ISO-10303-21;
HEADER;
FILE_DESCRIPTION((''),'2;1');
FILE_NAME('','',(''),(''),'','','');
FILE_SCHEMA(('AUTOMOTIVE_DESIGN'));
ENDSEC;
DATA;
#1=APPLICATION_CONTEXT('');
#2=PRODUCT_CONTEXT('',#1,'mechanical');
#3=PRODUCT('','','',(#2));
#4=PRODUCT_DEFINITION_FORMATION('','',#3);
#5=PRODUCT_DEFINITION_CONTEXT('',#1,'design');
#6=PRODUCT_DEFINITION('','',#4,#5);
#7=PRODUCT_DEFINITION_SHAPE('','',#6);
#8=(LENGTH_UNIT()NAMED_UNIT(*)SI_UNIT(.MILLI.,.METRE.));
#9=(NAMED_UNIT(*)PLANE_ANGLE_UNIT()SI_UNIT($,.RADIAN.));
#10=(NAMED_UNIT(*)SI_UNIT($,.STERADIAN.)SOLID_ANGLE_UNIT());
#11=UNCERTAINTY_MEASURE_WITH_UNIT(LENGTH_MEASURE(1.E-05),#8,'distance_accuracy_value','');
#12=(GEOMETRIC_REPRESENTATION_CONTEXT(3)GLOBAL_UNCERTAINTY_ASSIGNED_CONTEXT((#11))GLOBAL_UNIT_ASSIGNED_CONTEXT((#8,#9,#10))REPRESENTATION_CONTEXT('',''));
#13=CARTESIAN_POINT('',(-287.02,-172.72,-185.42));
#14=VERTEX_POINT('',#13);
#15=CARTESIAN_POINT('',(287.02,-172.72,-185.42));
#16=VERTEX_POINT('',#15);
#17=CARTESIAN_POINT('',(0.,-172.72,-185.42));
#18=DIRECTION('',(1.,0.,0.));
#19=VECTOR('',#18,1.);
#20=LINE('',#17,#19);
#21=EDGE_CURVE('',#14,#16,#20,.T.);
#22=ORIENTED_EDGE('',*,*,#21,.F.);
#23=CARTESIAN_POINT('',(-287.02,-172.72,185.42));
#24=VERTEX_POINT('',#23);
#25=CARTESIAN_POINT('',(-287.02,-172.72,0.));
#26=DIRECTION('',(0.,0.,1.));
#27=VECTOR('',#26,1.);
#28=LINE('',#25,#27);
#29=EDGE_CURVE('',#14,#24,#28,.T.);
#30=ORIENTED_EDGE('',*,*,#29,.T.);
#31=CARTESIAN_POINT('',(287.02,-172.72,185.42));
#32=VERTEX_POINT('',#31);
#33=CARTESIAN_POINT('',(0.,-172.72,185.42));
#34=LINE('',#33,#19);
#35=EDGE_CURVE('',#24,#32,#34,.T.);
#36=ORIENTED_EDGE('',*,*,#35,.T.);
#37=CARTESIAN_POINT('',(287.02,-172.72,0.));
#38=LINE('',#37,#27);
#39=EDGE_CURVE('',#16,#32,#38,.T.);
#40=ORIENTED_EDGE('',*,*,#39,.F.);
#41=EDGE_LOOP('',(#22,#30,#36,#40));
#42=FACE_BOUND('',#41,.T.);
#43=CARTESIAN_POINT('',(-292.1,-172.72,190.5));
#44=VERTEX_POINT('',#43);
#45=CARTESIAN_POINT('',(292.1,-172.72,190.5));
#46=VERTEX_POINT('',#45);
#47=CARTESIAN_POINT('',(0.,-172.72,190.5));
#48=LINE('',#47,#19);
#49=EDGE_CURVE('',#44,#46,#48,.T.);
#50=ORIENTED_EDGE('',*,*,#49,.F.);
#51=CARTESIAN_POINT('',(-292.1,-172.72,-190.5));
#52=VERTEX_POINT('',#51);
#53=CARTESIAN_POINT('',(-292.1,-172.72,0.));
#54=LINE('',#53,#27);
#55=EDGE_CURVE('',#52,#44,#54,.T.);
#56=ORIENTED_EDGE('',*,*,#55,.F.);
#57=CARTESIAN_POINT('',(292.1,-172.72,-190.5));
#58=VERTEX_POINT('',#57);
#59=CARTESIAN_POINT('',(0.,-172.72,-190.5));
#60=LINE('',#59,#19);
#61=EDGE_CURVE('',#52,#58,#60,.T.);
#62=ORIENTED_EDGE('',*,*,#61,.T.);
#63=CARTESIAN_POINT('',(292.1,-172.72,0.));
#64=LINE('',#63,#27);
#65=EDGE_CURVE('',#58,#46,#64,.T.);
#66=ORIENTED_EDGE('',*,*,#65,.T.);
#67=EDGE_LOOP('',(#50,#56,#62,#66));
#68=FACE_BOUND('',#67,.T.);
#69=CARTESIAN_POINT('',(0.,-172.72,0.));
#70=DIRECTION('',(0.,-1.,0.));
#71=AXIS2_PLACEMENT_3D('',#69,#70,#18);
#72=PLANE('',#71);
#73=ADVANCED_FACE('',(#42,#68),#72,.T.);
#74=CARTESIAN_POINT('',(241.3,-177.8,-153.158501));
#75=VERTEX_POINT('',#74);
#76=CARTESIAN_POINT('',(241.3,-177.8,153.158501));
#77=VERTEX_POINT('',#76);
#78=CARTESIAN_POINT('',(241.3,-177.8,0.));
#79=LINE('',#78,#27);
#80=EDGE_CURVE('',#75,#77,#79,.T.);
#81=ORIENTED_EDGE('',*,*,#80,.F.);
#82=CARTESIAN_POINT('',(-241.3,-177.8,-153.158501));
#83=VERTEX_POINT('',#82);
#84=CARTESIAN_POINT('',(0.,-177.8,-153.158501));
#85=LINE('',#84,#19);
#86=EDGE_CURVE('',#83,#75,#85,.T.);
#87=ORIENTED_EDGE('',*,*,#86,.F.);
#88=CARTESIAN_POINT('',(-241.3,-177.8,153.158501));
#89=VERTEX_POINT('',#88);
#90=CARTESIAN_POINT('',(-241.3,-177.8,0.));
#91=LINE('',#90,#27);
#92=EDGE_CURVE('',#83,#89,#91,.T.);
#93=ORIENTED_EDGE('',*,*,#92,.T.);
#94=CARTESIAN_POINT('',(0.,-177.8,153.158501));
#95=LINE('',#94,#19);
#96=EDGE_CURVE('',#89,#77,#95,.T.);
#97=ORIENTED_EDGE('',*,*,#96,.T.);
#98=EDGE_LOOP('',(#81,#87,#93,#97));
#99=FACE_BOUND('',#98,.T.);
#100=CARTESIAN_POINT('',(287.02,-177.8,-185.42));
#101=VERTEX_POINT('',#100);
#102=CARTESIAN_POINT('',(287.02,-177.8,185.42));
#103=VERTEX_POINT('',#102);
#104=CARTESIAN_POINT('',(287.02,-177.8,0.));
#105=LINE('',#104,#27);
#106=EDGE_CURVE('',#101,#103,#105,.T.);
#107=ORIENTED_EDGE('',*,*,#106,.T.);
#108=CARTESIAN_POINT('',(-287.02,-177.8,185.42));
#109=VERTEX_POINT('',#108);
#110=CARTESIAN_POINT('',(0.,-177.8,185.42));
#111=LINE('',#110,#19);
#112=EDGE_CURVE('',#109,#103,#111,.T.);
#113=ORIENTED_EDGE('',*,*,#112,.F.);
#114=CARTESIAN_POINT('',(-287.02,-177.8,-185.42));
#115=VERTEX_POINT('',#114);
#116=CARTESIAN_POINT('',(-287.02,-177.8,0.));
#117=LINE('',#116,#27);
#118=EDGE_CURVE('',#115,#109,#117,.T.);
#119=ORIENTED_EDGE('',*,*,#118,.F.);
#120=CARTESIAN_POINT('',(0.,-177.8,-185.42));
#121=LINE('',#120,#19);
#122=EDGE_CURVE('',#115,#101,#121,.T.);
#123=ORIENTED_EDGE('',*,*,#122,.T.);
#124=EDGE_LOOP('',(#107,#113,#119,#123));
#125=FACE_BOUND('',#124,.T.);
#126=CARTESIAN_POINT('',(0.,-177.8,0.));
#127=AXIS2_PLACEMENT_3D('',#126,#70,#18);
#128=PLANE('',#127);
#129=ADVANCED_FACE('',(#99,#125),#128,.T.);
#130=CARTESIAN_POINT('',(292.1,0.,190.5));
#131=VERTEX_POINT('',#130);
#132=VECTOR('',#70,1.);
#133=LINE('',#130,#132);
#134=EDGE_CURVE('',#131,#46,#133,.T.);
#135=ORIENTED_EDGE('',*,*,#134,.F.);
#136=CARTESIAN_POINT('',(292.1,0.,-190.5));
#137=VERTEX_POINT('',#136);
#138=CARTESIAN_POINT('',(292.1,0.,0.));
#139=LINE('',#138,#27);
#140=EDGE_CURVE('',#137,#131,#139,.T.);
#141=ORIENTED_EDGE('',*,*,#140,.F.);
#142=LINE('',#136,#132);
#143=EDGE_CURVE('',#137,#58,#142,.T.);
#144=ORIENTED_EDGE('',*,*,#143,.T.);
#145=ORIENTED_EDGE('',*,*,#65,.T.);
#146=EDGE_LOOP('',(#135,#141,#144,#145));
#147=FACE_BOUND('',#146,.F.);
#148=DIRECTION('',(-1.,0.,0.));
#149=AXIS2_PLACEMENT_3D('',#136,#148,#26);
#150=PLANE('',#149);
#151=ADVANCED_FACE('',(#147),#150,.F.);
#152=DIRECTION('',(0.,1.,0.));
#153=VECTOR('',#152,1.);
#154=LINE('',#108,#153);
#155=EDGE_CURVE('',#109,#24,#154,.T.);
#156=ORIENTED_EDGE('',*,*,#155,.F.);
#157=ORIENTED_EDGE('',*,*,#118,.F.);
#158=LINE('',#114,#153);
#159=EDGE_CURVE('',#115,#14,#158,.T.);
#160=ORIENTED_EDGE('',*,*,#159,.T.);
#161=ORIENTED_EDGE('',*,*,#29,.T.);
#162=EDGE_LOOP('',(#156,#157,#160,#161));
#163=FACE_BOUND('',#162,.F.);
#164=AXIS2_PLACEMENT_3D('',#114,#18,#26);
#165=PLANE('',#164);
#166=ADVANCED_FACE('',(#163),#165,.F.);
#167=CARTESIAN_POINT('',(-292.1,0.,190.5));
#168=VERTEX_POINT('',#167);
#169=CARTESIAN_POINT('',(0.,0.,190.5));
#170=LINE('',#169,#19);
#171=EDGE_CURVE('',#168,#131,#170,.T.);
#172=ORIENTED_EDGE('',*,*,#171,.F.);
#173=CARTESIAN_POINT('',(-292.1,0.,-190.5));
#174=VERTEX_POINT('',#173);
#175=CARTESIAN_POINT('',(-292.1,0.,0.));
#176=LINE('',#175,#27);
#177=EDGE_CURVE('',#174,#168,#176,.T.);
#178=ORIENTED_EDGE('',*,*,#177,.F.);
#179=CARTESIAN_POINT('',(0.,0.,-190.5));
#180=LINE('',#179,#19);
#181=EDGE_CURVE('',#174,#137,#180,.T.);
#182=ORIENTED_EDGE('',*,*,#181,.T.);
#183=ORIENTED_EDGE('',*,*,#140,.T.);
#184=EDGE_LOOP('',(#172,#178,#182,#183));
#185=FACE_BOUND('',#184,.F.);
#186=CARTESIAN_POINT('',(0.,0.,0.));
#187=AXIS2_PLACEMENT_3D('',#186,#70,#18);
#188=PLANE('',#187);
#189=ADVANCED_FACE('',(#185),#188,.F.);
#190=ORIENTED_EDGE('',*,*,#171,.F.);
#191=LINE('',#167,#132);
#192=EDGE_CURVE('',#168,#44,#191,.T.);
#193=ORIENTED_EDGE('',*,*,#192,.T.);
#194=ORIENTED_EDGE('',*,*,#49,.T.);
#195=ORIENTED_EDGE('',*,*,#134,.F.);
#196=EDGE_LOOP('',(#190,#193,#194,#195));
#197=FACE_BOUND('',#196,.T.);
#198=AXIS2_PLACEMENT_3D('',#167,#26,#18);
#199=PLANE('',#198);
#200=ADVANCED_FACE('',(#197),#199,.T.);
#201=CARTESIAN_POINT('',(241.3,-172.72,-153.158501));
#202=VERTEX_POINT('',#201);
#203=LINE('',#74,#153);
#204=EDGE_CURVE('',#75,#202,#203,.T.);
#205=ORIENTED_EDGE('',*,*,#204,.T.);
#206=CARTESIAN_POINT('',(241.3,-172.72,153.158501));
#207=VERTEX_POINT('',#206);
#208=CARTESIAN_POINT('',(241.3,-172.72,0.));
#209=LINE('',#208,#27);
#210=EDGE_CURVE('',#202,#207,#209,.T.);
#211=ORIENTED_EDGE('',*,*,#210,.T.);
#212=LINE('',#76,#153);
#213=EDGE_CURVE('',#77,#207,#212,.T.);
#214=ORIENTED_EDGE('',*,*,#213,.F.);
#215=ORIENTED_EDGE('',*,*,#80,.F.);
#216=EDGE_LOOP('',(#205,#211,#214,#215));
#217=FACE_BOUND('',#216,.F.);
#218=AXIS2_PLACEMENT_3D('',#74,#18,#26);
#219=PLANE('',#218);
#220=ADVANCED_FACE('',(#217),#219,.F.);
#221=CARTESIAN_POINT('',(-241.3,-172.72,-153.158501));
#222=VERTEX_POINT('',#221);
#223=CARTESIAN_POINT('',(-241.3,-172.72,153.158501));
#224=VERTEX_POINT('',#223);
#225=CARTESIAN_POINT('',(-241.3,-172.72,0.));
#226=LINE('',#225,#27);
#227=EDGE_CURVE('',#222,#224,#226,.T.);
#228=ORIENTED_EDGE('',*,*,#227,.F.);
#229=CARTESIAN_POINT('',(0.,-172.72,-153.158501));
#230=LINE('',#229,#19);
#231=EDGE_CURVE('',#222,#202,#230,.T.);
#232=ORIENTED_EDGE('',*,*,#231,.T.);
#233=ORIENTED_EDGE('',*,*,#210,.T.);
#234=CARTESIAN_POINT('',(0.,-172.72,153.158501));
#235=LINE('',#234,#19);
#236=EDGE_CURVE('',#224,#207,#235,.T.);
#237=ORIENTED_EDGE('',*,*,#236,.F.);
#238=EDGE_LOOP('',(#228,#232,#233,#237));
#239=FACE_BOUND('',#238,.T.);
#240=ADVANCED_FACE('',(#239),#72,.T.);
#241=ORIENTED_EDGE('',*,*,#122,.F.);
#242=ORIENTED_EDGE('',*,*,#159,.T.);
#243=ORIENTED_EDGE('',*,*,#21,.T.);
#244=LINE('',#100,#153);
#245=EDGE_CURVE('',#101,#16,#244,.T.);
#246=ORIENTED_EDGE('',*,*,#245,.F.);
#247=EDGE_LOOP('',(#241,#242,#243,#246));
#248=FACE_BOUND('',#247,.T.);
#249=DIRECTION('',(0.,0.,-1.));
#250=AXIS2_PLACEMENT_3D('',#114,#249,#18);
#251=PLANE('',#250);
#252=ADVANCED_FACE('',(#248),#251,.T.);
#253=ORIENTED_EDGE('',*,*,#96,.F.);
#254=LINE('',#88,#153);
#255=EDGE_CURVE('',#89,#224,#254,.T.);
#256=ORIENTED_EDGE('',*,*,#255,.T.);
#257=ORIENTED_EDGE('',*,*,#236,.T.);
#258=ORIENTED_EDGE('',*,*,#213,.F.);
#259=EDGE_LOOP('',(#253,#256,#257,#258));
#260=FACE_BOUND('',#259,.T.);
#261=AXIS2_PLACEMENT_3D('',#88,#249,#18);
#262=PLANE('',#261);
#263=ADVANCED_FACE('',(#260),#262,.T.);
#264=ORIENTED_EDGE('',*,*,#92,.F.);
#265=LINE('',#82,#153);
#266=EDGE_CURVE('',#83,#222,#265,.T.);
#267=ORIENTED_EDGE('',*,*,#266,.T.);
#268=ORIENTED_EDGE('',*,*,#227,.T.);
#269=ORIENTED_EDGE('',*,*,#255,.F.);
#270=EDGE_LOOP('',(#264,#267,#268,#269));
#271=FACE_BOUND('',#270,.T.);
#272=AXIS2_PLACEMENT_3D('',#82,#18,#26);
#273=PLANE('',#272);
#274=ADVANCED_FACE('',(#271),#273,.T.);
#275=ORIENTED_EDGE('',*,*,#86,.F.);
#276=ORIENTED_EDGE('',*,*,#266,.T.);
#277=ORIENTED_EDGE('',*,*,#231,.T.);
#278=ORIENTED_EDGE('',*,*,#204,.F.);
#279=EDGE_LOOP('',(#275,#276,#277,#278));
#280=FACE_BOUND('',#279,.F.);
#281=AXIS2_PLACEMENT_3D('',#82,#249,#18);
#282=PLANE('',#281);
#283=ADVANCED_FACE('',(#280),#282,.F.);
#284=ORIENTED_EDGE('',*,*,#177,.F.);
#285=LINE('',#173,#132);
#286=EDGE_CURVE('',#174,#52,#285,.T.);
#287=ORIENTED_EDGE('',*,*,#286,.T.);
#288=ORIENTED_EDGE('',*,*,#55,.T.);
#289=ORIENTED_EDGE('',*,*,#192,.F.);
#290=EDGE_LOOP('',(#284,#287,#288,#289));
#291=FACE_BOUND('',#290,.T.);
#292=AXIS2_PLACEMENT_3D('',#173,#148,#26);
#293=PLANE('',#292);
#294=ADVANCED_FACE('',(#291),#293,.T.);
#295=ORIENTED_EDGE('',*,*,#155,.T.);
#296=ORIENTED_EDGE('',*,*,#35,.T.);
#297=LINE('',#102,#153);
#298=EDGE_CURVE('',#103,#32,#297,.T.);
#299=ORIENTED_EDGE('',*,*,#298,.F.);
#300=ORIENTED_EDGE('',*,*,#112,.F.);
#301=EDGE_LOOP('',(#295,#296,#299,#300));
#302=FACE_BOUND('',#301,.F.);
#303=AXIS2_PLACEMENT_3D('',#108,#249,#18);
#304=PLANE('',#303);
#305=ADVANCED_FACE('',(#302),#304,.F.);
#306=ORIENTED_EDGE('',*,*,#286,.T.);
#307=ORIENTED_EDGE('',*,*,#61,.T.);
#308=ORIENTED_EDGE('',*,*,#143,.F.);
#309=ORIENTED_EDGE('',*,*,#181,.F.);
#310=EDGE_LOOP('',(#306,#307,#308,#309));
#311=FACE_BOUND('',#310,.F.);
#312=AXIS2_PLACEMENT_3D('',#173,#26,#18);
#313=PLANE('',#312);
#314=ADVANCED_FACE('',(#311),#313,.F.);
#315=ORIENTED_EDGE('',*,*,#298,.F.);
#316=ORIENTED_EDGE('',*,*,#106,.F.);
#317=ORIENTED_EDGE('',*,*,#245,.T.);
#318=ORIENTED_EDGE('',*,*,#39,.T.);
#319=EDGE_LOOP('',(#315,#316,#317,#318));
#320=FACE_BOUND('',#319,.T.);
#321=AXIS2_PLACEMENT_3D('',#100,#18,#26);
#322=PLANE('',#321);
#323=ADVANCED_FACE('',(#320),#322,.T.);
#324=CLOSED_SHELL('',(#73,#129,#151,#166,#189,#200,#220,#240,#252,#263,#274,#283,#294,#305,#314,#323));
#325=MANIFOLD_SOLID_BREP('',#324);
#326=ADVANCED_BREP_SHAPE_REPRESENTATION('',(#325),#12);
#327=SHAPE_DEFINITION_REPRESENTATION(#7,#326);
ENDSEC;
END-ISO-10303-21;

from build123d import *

# Parameters (mm, degrees)
F0_W     = 584.2
F0_H     = 381
F1_DEPTH = 177.8
F2_W     = 584.2
F2_H     = 381
F2_W_2   = 574.04
F2_H_2   = 370.84
F2_W_3   = 482.6
F2_H_3   = 306.317002
F3_DEPTH = 5.08


with BuildPart() as f1:
    # F0 (on Front) → F1 (new body)
    with BuildSketch(Plane.XZ):
        Rectangle(F0_W, F0_H)
    extrude(amount=F1_DEPTH)

    # F2 (on face) → F3 (cut)
    with BuildSketch(Plane.XZ.offset(177.8)):
        Rectangle(F2_W, F2_H)
        Rectangle(F2_W_2, F2_H_2, mode=Mode.SUBTRACT)
        Rectangle(F2_W_3, F2_H_3)
    extrude(amount=-F3_DEPTH, mode=Mode.SUBTRACT)


solid = f1.part
